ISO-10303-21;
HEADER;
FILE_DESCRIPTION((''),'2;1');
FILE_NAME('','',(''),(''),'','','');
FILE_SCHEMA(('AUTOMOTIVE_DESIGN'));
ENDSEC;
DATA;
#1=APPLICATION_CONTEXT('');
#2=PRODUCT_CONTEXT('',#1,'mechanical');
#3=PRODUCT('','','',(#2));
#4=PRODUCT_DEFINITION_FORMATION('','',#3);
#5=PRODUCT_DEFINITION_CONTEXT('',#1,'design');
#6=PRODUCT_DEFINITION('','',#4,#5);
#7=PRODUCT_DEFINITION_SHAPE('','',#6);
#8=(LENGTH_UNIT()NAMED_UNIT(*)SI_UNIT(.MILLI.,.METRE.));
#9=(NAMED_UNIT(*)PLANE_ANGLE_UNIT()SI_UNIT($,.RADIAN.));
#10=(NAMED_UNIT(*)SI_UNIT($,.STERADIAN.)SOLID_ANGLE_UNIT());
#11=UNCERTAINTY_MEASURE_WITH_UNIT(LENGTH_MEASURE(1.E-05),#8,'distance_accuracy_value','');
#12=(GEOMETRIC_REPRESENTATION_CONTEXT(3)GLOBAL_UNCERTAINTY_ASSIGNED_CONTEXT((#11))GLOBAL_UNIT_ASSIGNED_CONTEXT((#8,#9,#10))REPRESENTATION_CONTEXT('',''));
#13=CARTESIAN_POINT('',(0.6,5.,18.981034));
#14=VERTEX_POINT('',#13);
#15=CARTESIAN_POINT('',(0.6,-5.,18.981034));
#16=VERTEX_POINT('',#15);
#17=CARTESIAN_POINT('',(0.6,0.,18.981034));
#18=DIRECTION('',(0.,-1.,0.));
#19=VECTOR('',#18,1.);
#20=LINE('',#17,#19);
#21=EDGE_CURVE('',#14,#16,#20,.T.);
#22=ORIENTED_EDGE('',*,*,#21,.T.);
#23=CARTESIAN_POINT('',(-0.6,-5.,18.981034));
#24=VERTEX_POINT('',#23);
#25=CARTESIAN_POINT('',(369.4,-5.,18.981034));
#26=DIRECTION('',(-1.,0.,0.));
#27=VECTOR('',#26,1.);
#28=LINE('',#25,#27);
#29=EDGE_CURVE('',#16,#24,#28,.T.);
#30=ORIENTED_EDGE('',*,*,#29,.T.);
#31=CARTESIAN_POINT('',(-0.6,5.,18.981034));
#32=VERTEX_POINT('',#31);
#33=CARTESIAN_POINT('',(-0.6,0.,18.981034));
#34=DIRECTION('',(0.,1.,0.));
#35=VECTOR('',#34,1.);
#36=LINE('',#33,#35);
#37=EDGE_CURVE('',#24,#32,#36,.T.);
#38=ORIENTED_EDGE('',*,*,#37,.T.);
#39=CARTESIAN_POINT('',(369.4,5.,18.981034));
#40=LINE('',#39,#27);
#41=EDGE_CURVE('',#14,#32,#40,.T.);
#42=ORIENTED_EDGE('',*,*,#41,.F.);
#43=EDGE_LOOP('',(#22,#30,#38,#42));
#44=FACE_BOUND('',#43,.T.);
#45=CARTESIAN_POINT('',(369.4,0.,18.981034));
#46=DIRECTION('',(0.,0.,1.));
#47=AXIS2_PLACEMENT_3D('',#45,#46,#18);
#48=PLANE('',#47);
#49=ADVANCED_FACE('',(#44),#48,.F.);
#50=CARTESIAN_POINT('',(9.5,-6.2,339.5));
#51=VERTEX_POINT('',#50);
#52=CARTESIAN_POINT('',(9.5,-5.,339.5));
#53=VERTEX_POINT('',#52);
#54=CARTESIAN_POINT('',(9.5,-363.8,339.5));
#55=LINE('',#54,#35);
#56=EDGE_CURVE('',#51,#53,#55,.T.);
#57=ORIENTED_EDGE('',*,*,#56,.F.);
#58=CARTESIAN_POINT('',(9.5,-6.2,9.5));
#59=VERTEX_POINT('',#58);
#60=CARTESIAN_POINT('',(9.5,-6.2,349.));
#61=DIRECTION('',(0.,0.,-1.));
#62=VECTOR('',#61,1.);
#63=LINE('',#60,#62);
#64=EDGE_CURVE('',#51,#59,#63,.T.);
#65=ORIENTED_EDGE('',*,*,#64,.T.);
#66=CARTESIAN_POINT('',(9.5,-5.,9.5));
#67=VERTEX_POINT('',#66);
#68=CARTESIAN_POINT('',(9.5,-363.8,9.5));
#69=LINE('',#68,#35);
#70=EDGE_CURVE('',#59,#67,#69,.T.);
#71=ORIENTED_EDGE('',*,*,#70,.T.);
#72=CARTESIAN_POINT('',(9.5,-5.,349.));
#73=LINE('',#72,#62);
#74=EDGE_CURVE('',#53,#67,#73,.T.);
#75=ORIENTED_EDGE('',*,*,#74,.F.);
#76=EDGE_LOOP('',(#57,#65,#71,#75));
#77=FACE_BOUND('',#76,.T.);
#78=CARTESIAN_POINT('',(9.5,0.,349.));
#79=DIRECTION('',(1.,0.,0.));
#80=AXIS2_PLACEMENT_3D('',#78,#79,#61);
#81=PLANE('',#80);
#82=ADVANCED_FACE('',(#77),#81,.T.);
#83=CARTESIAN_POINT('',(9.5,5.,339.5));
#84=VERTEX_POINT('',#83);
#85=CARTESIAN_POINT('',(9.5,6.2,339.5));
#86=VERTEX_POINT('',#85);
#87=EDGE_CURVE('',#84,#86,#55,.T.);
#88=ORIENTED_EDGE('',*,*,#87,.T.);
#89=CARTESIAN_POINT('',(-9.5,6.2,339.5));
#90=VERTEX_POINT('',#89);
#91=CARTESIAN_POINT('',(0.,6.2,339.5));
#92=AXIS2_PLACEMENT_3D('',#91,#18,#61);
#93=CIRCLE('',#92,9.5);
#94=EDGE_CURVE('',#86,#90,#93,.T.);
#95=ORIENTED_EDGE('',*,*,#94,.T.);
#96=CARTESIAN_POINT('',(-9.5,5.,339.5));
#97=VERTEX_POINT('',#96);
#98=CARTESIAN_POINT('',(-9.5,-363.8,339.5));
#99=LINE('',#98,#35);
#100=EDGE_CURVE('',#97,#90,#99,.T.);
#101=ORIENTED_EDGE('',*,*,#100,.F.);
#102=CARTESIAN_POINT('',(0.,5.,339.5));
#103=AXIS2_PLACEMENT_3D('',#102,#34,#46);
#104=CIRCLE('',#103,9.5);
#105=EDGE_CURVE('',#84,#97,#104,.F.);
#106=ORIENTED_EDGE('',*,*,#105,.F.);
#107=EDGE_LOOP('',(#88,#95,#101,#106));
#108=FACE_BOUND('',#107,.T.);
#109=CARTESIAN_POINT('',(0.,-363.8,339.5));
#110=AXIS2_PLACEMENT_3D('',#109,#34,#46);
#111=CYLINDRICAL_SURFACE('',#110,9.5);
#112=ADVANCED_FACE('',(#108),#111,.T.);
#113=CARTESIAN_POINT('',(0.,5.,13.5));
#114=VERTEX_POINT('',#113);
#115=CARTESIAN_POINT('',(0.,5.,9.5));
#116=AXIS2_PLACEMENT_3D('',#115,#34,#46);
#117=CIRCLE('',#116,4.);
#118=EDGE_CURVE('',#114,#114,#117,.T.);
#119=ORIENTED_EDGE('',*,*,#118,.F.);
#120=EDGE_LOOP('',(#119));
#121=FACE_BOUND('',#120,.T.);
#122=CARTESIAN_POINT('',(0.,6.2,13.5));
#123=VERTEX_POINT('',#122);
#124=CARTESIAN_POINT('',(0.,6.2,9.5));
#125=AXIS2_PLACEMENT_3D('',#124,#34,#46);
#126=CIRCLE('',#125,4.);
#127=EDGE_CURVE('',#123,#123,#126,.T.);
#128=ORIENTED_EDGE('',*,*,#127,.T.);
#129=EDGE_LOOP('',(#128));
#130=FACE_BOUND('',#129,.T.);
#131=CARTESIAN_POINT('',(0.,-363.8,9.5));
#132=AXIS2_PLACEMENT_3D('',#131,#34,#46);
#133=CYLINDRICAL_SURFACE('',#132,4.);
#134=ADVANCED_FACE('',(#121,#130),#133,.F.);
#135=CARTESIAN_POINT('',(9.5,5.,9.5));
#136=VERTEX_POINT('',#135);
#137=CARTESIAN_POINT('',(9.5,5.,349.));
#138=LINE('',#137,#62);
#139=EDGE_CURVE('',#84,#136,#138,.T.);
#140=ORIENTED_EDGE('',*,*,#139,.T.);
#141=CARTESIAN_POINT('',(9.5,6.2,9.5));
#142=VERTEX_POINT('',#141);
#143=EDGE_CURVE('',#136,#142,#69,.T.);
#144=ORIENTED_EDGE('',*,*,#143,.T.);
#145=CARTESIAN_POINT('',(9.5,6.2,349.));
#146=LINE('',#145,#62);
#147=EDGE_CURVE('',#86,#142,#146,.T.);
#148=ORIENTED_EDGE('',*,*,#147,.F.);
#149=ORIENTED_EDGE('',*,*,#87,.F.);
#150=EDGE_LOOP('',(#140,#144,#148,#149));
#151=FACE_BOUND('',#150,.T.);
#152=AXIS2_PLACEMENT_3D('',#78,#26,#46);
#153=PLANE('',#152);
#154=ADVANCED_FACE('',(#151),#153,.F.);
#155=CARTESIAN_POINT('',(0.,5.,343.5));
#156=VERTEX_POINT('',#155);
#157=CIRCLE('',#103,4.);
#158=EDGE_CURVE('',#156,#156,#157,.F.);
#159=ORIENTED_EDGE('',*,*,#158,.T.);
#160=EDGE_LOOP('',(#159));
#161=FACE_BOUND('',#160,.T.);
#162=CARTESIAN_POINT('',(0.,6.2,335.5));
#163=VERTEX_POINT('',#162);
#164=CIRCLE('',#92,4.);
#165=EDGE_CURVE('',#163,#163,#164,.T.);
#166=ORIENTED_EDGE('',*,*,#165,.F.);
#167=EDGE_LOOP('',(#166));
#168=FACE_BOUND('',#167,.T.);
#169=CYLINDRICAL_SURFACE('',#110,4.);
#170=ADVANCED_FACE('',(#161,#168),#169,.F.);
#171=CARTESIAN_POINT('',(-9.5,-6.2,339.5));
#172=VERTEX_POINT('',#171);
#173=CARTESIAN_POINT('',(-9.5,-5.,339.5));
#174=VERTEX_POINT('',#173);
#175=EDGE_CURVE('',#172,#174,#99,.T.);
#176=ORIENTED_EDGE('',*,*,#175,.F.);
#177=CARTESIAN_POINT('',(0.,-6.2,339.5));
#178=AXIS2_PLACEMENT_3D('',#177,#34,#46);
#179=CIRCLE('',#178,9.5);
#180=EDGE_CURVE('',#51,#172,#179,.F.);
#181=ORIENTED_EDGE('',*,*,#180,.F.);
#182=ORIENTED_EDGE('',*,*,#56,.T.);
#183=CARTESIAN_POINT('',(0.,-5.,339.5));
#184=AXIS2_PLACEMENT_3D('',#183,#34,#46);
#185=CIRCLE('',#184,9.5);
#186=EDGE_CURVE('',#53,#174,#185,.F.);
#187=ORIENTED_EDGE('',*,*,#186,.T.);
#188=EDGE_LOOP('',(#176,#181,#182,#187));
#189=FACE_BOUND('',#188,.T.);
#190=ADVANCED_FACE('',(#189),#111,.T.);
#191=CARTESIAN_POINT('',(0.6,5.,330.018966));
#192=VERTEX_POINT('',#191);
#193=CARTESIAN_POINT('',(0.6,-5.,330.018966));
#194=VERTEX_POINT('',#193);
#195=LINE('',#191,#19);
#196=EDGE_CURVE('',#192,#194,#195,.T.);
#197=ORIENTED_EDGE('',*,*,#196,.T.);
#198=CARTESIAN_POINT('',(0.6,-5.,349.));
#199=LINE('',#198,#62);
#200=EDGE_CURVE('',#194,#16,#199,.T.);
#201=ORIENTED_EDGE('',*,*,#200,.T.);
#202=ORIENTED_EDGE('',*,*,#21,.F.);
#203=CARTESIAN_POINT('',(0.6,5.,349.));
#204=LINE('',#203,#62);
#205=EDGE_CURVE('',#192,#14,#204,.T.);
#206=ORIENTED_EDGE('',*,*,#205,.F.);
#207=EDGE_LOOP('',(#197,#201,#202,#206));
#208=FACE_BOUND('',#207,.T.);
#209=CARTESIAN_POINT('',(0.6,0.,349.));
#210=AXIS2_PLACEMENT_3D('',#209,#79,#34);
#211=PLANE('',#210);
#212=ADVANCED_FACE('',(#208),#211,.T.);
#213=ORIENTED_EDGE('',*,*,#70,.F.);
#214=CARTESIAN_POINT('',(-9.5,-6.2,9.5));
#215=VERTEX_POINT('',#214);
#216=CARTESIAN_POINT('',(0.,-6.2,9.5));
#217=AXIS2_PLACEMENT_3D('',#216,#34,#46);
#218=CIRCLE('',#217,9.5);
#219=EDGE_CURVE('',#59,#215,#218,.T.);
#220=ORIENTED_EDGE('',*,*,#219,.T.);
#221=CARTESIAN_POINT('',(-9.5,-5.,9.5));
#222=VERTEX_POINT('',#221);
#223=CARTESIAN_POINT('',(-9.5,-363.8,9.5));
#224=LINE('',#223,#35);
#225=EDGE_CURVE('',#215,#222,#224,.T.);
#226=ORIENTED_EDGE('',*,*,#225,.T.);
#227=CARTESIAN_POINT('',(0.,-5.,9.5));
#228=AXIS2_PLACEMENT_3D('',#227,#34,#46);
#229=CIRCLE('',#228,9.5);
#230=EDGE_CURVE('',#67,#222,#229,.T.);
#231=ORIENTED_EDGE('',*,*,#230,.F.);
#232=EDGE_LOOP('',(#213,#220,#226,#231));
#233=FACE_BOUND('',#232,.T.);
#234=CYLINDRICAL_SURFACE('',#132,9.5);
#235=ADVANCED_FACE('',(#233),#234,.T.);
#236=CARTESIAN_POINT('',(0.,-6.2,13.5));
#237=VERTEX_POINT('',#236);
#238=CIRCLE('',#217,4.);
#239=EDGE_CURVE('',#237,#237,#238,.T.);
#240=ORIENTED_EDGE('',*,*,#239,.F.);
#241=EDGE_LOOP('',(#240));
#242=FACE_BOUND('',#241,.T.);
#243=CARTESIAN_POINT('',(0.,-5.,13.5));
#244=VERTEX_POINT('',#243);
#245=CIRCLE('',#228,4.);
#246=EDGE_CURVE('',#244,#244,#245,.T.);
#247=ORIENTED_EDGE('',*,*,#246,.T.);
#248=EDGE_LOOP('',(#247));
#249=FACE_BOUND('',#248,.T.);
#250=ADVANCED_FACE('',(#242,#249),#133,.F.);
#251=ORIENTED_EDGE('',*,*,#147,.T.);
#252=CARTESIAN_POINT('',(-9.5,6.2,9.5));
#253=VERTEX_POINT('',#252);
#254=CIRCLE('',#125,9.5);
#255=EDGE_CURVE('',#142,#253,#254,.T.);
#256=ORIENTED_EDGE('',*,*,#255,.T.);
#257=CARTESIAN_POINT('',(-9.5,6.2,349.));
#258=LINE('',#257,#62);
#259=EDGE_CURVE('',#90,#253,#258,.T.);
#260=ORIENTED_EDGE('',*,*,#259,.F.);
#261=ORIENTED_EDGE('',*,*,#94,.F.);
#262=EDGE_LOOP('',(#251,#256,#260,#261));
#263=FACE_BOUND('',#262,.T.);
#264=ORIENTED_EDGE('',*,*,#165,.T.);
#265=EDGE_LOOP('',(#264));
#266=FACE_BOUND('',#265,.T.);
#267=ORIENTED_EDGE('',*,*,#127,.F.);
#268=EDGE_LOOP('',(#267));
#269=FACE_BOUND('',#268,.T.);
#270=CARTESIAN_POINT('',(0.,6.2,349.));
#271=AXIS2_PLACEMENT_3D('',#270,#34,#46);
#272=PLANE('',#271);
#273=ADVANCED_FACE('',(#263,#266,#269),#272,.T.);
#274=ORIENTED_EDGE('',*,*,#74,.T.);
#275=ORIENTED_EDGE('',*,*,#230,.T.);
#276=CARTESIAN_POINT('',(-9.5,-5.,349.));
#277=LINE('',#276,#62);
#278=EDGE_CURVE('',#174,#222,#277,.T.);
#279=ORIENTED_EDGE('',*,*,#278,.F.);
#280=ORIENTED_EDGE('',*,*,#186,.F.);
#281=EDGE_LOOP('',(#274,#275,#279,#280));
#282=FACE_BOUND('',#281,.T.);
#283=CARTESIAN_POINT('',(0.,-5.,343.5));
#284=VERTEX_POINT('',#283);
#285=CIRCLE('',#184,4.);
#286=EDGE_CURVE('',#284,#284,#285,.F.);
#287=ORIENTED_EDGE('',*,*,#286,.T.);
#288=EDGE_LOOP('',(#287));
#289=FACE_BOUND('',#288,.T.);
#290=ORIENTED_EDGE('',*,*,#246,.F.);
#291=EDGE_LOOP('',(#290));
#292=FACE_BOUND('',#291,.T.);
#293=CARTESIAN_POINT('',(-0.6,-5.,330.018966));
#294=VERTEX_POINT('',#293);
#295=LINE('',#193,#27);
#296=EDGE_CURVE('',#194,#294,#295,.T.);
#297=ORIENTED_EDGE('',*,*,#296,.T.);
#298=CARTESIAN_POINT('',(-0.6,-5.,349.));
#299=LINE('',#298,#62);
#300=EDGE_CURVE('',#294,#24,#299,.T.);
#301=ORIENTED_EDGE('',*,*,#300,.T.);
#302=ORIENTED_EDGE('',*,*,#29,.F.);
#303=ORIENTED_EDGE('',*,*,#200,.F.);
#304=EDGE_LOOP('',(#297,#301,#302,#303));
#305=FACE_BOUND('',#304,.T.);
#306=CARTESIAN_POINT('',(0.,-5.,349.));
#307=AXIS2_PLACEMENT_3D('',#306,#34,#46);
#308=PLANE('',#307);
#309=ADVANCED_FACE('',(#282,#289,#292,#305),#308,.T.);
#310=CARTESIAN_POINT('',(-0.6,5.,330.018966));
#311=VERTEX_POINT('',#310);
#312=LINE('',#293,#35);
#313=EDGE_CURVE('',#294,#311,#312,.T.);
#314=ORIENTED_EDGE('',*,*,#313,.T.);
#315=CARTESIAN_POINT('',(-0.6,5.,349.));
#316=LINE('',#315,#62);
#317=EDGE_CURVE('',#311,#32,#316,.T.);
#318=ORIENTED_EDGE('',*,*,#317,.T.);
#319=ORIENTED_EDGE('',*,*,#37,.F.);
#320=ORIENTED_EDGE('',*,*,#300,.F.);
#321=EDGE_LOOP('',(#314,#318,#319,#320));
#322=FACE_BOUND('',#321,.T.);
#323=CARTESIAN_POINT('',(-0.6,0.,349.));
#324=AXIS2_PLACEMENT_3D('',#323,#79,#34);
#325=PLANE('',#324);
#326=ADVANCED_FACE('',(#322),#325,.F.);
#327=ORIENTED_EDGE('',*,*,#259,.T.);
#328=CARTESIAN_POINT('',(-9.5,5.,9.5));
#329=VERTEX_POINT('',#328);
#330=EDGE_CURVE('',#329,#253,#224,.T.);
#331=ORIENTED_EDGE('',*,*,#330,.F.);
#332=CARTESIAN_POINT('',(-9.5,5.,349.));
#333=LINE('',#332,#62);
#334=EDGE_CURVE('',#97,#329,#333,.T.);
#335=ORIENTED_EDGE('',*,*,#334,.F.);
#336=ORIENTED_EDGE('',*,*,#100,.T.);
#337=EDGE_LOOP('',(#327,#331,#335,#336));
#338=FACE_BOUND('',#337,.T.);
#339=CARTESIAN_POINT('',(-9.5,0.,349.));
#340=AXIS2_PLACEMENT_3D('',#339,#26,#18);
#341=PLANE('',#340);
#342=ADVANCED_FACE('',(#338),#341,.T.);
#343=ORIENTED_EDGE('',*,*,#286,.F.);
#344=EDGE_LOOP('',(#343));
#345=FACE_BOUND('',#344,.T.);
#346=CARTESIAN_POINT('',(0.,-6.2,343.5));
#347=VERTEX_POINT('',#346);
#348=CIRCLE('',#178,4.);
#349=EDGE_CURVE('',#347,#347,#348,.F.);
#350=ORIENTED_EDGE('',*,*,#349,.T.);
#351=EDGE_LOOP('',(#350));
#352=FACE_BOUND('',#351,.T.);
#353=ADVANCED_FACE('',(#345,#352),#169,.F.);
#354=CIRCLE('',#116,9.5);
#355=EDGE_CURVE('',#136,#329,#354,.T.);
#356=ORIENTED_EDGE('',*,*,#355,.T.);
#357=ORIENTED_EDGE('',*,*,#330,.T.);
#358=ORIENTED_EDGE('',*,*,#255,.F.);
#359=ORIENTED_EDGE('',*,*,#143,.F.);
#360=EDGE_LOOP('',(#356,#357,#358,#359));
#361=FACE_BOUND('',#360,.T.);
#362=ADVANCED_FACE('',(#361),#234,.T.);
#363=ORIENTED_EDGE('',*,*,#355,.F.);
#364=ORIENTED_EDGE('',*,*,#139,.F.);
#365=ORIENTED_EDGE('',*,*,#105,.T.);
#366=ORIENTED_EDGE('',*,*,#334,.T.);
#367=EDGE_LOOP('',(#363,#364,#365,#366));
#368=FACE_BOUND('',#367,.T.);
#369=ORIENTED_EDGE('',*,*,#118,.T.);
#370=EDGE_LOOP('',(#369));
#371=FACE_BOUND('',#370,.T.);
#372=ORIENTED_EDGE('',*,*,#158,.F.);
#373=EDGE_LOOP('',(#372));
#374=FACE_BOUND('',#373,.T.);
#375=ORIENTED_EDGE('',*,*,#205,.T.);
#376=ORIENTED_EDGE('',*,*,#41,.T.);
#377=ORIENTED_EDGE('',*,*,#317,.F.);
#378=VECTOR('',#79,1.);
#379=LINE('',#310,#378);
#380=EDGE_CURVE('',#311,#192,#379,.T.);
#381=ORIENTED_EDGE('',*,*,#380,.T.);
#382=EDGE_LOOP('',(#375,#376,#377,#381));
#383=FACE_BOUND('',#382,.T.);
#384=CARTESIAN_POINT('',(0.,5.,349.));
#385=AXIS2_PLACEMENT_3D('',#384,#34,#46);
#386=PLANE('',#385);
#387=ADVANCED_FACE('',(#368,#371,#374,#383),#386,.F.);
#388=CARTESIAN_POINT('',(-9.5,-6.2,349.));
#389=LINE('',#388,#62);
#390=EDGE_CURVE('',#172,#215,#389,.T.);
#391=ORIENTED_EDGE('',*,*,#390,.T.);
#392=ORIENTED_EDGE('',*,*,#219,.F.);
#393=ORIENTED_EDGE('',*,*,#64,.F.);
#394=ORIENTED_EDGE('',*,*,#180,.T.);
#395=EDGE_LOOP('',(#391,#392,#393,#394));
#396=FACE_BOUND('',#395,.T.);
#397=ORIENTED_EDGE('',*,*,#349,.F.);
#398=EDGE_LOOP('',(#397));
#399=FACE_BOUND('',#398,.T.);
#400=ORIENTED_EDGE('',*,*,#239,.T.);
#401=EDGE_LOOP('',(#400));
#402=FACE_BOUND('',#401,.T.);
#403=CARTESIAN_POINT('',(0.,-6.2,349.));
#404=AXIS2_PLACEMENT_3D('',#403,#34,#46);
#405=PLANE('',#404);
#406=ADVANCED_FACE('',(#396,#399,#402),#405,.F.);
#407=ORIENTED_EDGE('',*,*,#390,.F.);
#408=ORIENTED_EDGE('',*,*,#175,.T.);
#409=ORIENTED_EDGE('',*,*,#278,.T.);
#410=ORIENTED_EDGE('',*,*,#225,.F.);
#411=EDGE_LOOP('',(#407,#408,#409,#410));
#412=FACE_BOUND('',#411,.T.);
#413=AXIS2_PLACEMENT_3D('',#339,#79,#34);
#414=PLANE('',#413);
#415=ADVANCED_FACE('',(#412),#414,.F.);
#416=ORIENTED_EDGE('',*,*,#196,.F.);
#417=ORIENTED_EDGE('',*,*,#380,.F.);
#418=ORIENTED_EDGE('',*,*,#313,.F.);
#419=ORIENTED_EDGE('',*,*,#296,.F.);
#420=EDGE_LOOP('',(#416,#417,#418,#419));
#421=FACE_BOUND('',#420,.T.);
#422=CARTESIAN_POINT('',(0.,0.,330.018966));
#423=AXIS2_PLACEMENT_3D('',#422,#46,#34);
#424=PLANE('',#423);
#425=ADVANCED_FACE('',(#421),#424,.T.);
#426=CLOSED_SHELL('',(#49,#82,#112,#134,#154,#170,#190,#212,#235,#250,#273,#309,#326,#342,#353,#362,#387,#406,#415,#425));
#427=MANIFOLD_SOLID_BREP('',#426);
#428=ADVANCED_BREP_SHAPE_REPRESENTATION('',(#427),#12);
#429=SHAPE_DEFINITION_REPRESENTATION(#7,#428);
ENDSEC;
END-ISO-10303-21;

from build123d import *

# Parameters (mm, degrees)
SKETCH1_W           = 1.2
SKETCH1_H           = 10
SKETCH1_W_2         = 19
SKETCH1_H_2         = 1.2
BOSS_EXTRUDE1_DEPTH = 349
SKETCH3_R           = 4
CUT_EXTRUDE2_DEPTH  = 370
SKETCH6_W           = 18.962067398
SKETCH6_H           = 10
CUT_EXTRUDE4_DEPTH  = 370
SKETCH10_W          = 1.2
SKETCH10_H          = 10
CUT_EXTRUDE5_DEPTH  = 105


with BuildPart() as part:
    # Sketch1 → Boss-Extrude1 (new body)
    with BuildSketch(Plane.XY):
        Rectangle(SKETCH1_W, SKETCH1_H)
        with Locations((0, -5.6)):
            Rectangle(SKETCH1_W_2, SKETCH1_H_2)
        with Locations((0, 5.6)):
            Rectangle(SKETCH1_W_2, SKETCH1_H_2)
    extrude(amount=BOSS_EXTRUDE1_DEPTH)

    # Sketch3 → Cut-Extrude2 (cut)
    with BuildSketch(Plane(origin=(0, 6.2, 0), x_dir=(1, 0, 0), z_dir=(0, 1, 0))):
        with BuildLine():
            Line((-9.5, 0), (-9.5, -9.5))
            ThreePointArc((-9.5, -9.5), (-6.717514436, -2.782485594), (-4.2e-08, 0))
            Line((-4.2e-08, 0), (-9.5, 0))
        make_face()
        with BuildLine():
            Line((9.5, 0), (-4.2e-08, 0))
            ThreePointArc((-4.2e-08, 0), (6.717514406, -2.782485564), (9.5, -9.5))
            Line((9.5, -9.5), (9.5, 0))
        make_face()
        with BuildLine():
            ThreePointArc((14.5, -9.5), (0, 5), (-14.5, -9.5))
            Line((-14.5, -9.5), (-9.5, -9.5))
            Line((-9.5, -9.5), (-9.5, 0))
            Line((-9.5, 0), (-4.2e-08, 0))
            Line((-4.2e-08, 0), (9.5, 0))
            Line((9.5, 0), (9.5, -9.5))
            Line((9.5, -9.5), (14.5, -9.5))
        make_face()
        with Locations((0, -9.5)):
            Circle(SKETCH3_R)
    cut_extrude2 = extrude(amount=-CUT_EXTRUDE2_DEPTH, mode=Mode.SUBTRACT)

    # Mirror1: Cut-Extrude2 across plane
    add(cut_extrude2.mirror(Plane.XY.offset(174.5)), mode=Mode.SUBTRACT)

    # Sketch6 → Cut-Extrude4 (cut)
    with BuildSketch(Plane.ZY.offset(0.6)):
        with Locations((9.5, 0)):
            Rectangle(SKETCH6_W, SKETCH6_H)
    extrude(amount=-CUT_EXTRUDE4_DEPTH, mode=Mode.SUBTRACT)

    # Sketch10 → Cut-Extrude5 (cut)
    with BuildSketch(Plane(origin=(0, 0, 18.981033699), x_dir=(-1, 0, 0), z_dir=(0, 0, -1))):
        Rectangle(SKETCH10_W, SKETCH10_H)
    cut_extrude5 = extrude(amount=CUT_EXTRUDE5_DEPTH, mode=Mode.SUBTRACT)

    # Mirror2: Cut-Extrude5 across plane
    add(cut_extrude5.mirror(Plane.XY.offset(174.5)), mode=Mode.SUBTRACT)


solid = part.part
